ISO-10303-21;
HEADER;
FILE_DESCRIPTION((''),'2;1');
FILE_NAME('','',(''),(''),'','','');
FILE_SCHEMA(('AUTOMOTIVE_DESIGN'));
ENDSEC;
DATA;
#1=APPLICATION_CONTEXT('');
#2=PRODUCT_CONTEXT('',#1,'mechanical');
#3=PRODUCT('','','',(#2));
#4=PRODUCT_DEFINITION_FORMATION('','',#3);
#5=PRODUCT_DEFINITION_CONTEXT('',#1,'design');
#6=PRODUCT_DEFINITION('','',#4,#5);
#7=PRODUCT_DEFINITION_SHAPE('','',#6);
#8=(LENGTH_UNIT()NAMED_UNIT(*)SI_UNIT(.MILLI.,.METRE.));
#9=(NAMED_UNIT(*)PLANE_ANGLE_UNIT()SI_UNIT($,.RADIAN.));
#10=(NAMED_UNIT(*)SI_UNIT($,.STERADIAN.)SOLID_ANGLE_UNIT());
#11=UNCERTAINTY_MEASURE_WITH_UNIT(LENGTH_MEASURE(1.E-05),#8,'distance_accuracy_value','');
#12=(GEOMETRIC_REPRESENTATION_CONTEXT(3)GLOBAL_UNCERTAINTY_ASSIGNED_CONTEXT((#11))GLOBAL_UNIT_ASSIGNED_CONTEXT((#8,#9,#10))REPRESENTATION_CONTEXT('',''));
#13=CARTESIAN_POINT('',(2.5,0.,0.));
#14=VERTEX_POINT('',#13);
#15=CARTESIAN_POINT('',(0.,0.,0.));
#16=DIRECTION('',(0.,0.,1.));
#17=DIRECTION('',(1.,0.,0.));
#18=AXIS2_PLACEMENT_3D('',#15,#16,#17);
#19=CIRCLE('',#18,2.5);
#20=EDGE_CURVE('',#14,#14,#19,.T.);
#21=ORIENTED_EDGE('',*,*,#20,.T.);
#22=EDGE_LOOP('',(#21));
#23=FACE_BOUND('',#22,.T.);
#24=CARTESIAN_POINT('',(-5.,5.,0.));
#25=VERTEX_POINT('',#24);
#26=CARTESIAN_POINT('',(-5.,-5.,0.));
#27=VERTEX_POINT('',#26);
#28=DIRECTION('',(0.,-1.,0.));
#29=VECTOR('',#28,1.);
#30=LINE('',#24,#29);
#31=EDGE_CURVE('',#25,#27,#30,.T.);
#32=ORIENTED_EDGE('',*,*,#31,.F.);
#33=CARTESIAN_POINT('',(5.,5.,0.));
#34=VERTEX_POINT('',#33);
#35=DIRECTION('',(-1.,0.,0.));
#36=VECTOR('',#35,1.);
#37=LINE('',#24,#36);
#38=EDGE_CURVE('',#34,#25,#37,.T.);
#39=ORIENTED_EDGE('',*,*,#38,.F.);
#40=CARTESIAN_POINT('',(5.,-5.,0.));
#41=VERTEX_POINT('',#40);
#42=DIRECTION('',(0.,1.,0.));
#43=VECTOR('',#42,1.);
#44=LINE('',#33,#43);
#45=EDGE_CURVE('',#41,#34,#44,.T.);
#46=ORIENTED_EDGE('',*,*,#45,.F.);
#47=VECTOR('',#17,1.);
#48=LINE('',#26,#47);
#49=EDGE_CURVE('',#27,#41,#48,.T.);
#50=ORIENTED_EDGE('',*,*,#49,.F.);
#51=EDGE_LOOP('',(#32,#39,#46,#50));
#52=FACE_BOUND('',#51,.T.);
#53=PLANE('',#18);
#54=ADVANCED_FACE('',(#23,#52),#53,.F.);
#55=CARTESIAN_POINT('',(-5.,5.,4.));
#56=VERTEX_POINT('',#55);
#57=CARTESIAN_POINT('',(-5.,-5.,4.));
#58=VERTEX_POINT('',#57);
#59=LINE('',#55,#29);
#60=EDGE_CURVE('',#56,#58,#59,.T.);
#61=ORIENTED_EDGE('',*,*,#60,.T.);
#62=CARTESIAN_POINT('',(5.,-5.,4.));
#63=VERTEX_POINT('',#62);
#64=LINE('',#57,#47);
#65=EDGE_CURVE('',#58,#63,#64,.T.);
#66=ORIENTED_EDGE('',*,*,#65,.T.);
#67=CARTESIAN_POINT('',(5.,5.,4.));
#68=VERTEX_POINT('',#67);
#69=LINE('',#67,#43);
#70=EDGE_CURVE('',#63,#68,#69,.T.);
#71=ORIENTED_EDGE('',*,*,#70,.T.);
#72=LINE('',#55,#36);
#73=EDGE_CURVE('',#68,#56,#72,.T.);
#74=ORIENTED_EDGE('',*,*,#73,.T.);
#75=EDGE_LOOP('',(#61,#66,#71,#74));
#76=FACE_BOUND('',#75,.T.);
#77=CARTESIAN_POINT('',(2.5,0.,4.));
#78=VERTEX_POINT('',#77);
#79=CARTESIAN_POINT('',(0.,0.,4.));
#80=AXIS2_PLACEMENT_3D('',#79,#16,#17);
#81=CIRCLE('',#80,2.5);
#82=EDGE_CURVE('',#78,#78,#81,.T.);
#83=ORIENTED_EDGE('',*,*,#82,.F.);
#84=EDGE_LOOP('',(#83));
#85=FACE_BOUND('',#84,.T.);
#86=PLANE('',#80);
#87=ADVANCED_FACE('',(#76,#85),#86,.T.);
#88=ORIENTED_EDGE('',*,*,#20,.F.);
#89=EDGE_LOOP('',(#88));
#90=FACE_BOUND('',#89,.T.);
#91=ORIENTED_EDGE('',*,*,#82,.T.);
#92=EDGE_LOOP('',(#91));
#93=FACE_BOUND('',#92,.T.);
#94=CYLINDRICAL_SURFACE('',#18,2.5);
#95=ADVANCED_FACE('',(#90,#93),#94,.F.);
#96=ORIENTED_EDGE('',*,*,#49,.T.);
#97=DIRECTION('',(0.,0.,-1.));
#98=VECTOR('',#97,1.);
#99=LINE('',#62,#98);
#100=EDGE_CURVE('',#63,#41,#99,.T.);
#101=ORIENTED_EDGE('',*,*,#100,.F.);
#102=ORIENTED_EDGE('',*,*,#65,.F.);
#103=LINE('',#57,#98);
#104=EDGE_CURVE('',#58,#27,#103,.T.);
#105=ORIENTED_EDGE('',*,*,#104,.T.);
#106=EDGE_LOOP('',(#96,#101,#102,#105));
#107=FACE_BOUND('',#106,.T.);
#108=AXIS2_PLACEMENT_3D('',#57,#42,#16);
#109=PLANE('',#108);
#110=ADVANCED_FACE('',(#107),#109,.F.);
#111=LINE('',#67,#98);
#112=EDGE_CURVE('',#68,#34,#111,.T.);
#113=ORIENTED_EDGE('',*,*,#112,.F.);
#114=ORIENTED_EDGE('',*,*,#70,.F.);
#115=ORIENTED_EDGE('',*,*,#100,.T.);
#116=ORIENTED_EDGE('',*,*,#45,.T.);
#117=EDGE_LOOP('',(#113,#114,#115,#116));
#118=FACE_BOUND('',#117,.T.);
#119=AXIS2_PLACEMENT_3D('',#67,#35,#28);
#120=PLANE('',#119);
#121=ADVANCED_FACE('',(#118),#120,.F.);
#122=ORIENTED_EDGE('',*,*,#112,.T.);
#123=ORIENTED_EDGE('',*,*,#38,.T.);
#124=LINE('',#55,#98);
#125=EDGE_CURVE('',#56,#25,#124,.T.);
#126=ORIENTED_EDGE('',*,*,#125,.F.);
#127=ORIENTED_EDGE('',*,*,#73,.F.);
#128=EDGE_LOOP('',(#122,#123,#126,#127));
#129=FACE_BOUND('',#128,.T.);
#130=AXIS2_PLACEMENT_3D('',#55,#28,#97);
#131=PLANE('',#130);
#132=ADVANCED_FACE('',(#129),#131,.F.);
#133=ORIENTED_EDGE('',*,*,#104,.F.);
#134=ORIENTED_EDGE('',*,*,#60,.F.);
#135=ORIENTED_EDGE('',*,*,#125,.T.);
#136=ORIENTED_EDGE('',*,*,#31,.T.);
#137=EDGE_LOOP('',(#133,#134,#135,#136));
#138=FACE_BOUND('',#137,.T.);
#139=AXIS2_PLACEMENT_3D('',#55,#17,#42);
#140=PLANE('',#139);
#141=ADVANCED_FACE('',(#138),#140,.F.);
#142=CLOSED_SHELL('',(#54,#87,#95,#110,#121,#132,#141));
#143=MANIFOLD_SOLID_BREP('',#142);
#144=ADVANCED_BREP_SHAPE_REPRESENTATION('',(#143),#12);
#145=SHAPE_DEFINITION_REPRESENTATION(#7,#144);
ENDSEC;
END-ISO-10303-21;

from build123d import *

# Parameters (mm, degrees)
SKETCH2_W           = 10
SKETCH2_H           = 10
BOSS_EXTRUDE1_DEPTH = 4
SKETCH3_R           = 2.5
CUT_EXTRUDE1_DEPTH  = 5


with BuildPart() as part:
    # Sketch2 → Boss-Extrude1 (new body)
    with BuildSketch(Plane.XY):
        Rectangle(SKETCH2_W, SKETCH2_H)
    extrude(amount=BOSS_EXTRUDE1_DEPTH)

    # Sketch3 → Cut-Extrude1 (cut, through all)
    with BuildSketch(Plane.XY.offset(4)):
        Circle(SKETCH3_R)
    extrude(amount=-CUT_EXTRUDE1_DEPTH, mode=Mode.SUBTRACT)


solid = part.part
